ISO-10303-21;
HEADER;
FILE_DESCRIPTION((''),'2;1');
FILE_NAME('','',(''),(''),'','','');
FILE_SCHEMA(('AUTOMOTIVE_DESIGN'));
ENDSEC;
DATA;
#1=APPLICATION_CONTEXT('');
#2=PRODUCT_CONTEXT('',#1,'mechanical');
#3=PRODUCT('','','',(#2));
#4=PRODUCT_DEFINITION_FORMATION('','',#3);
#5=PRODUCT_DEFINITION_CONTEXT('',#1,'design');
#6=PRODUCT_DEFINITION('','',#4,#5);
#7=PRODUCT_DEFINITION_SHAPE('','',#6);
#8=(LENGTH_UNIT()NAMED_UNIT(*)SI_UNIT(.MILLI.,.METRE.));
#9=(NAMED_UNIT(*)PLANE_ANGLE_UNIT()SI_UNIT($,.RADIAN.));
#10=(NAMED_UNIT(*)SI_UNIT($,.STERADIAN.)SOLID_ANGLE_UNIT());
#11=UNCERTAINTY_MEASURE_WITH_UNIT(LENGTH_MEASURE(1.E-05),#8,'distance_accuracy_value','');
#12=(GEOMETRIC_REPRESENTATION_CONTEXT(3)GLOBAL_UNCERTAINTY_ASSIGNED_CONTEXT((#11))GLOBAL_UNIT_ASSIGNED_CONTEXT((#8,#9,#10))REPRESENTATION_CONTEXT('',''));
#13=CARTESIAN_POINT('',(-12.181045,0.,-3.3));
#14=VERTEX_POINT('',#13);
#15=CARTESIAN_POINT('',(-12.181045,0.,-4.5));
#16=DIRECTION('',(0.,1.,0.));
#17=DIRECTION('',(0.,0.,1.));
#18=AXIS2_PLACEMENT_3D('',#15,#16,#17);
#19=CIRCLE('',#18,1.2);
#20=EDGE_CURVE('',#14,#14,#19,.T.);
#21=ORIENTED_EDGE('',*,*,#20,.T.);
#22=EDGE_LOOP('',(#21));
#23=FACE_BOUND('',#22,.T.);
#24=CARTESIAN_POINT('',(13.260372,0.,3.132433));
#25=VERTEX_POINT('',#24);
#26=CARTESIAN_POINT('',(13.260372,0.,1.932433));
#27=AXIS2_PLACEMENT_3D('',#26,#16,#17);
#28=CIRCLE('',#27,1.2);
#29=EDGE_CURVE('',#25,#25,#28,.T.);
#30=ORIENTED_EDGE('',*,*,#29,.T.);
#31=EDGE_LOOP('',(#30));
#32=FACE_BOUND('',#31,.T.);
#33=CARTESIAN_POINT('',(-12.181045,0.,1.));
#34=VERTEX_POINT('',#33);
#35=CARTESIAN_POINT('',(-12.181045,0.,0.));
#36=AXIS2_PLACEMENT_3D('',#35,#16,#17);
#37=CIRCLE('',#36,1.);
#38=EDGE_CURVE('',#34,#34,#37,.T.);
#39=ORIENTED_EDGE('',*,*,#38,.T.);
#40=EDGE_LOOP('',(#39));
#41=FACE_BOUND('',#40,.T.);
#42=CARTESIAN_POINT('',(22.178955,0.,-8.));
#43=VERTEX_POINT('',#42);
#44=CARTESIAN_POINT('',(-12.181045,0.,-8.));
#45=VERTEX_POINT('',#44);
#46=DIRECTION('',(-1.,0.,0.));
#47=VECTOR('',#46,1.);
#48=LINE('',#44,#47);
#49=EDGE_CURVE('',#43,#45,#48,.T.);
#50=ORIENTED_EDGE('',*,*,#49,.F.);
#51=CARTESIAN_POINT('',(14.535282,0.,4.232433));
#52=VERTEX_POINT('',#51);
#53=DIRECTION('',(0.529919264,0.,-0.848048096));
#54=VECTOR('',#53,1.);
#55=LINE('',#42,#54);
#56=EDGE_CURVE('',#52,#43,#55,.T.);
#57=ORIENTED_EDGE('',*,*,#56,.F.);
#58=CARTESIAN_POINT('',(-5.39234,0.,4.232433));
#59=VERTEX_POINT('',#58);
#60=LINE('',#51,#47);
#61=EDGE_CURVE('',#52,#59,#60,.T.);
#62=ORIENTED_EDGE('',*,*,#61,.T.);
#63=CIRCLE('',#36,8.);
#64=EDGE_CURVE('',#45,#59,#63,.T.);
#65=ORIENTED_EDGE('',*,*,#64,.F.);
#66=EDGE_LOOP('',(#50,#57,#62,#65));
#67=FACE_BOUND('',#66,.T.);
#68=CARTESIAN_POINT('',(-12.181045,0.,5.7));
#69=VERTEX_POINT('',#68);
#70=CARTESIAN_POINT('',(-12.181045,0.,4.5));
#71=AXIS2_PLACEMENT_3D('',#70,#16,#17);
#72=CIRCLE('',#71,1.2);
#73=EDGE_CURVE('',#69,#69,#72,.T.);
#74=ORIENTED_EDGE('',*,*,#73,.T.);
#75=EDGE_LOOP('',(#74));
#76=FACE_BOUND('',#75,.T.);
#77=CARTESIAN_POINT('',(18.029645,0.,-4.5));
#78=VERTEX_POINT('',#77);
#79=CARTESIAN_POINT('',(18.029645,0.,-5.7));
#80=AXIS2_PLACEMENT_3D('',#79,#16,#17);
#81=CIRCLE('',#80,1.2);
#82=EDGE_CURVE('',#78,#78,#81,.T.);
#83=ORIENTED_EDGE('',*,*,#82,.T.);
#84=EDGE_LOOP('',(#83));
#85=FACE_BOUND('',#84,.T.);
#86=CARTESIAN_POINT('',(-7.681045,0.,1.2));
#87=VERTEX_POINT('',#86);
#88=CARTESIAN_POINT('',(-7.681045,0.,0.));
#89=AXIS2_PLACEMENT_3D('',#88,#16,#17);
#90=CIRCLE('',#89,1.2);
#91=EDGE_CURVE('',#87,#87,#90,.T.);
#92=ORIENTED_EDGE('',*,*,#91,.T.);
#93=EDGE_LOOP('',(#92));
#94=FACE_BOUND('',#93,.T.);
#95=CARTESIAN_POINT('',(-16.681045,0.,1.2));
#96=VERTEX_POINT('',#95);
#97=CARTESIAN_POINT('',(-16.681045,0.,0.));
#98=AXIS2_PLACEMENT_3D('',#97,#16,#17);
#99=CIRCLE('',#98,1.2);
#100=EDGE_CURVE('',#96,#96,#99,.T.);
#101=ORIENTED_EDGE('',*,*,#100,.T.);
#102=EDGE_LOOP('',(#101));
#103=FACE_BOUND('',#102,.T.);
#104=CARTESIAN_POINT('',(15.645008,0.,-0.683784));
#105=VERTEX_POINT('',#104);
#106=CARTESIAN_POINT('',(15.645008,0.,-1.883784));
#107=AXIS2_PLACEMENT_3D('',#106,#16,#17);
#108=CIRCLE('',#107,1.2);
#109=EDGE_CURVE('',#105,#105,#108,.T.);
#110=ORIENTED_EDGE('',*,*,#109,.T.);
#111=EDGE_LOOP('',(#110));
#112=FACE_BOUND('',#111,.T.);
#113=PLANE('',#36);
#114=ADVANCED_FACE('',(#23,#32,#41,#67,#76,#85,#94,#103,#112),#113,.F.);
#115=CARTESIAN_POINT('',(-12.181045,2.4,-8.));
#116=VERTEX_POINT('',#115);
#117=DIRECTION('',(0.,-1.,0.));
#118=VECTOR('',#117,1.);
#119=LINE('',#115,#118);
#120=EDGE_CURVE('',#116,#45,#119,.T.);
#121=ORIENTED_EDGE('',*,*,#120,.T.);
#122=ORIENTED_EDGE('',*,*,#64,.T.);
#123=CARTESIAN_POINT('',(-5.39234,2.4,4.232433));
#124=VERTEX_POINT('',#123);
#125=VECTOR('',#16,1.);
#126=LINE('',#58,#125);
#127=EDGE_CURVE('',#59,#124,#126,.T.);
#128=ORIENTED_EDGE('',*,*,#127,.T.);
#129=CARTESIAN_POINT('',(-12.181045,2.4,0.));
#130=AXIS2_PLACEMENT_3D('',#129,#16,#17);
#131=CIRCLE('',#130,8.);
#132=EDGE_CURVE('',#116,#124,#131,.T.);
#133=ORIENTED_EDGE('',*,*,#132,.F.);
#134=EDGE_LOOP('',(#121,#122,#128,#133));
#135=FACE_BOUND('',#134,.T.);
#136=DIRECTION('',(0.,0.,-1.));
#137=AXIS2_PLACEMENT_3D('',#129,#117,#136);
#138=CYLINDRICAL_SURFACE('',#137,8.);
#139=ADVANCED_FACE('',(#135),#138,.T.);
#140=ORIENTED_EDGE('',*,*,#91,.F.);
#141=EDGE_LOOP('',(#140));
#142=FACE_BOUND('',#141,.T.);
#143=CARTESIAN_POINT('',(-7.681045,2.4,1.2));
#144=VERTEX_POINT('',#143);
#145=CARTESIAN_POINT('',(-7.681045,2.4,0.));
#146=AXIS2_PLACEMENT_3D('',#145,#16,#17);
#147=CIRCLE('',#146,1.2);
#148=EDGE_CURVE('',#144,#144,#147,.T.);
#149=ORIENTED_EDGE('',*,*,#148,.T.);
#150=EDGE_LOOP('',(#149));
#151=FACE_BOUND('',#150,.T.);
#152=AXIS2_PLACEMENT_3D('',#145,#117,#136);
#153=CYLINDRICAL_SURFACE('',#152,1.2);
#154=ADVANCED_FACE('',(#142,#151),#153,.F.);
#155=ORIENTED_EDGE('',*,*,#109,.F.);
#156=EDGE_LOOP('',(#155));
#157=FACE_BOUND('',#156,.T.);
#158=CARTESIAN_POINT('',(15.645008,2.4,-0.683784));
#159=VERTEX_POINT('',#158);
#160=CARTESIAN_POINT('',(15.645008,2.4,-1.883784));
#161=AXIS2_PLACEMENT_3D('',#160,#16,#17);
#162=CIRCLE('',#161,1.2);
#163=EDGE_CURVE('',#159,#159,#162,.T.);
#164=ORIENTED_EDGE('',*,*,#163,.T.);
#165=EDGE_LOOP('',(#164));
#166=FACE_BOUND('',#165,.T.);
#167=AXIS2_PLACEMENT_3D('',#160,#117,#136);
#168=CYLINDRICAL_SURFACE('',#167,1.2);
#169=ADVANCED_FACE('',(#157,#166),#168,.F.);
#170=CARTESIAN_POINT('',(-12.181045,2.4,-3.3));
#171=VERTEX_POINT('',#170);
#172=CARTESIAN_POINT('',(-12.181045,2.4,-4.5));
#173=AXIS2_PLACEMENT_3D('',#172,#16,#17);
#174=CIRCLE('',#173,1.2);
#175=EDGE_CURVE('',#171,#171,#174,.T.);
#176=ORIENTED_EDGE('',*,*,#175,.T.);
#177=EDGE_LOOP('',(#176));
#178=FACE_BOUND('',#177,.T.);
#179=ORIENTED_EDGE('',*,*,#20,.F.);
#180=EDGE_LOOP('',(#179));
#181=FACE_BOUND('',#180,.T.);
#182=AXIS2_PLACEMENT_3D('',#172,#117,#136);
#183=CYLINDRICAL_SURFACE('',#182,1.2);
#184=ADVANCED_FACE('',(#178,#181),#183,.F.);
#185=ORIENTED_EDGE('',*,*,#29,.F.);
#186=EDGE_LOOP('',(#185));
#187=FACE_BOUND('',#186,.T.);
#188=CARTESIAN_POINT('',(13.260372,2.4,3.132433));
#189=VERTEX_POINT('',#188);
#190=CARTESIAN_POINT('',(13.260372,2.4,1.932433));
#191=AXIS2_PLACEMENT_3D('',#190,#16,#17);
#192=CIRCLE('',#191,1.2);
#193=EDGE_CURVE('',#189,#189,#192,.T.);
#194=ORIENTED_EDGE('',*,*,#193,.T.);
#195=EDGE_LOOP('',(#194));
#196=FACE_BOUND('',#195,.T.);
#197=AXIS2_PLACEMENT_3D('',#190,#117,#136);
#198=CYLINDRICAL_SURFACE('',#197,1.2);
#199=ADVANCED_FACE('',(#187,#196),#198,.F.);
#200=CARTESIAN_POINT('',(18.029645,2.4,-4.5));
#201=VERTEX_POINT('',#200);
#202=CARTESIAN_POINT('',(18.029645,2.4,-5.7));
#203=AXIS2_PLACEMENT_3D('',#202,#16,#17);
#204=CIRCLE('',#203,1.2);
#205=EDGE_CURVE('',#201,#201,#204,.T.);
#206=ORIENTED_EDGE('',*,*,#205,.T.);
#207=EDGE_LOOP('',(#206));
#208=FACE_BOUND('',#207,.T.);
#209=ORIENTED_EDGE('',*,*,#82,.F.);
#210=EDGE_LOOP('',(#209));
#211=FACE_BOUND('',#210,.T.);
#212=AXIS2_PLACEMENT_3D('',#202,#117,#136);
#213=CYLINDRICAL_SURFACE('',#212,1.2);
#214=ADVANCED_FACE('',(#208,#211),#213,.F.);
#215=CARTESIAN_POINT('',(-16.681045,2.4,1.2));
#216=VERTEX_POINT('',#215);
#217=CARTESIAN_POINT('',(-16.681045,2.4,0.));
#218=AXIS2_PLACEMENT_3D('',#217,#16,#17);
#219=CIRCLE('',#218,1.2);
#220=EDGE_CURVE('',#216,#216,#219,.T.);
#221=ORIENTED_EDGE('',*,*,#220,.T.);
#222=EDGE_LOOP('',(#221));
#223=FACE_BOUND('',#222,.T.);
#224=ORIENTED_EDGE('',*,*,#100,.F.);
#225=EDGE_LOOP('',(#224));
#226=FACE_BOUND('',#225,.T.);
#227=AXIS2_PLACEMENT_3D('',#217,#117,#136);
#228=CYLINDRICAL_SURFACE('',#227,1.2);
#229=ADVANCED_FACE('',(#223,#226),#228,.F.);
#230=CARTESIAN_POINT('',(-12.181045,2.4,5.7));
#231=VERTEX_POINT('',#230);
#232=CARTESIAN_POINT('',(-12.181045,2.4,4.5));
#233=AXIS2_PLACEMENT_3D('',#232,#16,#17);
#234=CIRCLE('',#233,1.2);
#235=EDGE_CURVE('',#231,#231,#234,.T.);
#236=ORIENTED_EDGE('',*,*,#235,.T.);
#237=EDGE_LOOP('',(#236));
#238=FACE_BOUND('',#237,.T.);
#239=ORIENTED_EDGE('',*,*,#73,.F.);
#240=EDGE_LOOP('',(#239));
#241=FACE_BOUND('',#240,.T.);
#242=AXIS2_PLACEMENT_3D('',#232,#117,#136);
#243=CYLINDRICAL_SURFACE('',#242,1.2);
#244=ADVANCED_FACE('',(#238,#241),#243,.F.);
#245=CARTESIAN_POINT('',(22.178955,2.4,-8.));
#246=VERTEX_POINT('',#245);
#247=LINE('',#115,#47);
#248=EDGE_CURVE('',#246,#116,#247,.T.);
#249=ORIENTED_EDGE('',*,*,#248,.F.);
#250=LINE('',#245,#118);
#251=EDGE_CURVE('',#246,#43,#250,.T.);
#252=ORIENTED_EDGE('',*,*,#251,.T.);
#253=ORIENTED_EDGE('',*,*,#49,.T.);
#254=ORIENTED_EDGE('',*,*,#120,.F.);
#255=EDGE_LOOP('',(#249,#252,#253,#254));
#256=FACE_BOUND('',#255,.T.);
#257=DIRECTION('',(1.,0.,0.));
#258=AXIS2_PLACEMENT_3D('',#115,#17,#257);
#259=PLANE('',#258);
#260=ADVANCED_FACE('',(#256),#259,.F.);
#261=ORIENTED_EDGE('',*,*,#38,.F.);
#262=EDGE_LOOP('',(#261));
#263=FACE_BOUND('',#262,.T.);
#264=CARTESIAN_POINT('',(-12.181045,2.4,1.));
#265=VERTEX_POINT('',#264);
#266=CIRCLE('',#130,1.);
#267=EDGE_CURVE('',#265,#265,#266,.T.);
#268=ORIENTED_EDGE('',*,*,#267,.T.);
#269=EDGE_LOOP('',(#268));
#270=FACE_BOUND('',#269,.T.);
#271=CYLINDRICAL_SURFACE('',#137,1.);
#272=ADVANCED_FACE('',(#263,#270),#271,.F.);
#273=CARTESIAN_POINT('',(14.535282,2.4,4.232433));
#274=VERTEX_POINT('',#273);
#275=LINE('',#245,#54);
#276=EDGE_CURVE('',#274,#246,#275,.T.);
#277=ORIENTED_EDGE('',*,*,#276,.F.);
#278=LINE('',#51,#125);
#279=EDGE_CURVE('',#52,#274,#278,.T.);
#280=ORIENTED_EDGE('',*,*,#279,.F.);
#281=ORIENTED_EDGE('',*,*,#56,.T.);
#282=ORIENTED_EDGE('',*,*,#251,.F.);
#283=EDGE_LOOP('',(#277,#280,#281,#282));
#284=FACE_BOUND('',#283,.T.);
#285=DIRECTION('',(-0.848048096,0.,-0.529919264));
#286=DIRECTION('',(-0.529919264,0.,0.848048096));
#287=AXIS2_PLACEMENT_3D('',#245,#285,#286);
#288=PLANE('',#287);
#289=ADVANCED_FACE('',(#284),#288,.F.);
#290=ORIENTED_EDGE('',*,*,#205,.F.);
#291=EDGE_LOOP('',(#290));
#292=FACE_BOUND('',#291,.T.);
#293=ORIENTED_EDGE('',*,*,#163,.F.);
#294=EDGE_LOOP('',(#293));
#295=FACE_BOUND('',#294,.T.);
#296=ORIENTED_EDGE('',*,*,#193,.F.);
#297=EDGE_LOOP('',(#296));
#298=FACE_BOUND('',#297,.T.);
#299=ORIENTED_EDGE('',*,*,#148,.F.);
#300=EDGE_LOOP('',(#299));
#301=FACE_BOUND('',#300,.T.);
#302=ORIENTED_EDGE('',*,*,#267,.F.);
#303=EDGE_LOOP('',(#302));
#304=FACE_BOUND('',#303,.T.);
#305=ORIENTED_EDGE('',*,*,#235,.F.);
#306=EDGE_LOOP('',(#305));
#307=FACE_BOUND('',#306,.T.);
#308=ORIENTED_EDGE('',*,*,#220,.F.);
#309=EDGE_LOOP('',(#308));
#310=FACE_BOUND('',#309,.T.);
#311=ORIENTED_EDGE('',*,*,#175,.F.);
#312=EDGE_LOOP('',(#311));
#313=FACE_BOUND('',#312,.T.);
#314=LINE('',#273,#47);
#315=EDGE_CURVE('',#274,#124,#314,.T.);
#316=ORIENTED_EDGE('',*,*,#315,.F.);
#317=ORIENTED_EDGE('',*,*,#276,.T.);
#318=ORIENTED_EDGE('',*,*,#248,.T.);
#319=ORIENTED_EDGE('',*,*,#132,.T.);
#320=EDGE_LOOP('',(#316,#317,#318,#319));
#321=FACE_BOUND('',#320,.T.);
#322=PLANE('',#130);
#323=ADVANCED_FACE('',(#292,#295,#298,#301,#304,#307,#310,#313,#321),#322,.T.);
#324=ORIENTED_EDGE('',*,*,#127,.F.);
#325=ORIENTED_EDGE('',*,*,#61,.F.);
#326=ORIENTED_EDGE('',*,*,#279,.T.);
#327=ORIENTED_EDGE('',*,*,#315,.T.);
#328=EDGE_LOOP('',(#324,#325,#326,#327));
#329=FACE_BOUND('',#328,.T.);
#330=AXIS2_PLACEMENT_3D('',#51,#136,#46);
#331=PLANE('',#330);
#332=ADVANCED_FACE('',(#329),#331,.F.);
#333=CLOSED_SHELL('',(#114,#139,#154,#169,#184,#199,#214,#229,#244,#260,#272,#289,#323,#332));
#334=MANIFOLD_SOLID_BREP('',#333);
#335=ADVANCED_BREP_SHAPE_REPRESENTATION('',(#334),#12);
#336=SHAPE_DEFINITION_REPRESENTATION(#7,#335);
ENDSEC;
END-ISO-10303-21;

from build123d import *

# Parameters (mm, degrees)
SKETCH1_R           = 1.2
SKETCH1_R_2         = 1
BOSS_EXTRUDE1_DEPTH = 2.4
CUT_EXTRUDE1_DEPTH  = 24.69949444


with BuildPart() as part:
    # Sketch1 → Boss-Extrude1 (new body)
    with BuildSketch(Plane(origin=(0, 0, 0), x_dir=(1, 0, 0), z_dir=(0, 1, 0))):
        with BuildLine():
            Line((-12.181045185, 8), (22.178954815, 8))
            Line((22.178954815, 8), (12.181045185, -8))
            Line((12.181045185, -8), (-12.181045185, -8))
            ThreePointArc((-12.181045185, -8), (-20.181045185, 0), (-12.181045185, 8))
        make_face()
        with Locations(Location((-12.181045185, 4.5, 0), (0, 0, 270))):
            Circle(SKETCH1_R, mode=Mode.SUBTRACT)
        with Locations(Location((-7.681045185, 0, 0), (0, 0, 270))):
            Circle(SKETCH1_R, mode=Mode.SUBTRACT)
        with Locations(Location((-12.181045185, -4.5, 0), (0, 0, 270))):
            Circle(SKETCH1_R, mode=Mode.SUBTRACT)
        with Locations(Location((-16.681045185, 0, 0), (0, 0, 270))):
            Circle(SKETCH1_R, mode=Mode.SUBTRACT)
        with Locations(Location((18.029644978, 5.7, 0), (0, 0, 270))):
            Circle(SKETCH1_R, mode=Mode.SUBTRACT)
        with Locations(Location((13.2603716, -1.932432865, 0), (0, 0, 270))):
            Circle(SKETCH1_R, mode=Mode.SUBTRACT)
        with Locations(Location((15.645008289, 1.883783567, 0), (0, 0, 270))):
            Circle(SKETCH1_R, mode=Mode.SUBTRACT)
        with Locations(Location((-12.181045185, 0, 0), (0, 0, 270))):
            Circle(SKETCH1_R_2, mode=Mode.SUBTRACT)
    extrude(amount=BOSS_EXTRUDE1_DEPTH)

    # Sketch2 → Cut-Extrude1 (cut, through all)
    with BuildSketch(Plane(origin=(0, 2.4, 0), x_dir=(1, 0, 0), z_dir=(0, 1, 0))):
        with BuildLine():
            Line((14.535282418, -4.232432865), (-5.392340445, -4.232432865))
            ThreePointArc((-5.392340445, -4.232432865), (-8.299000809, -6.994979018), (-12.181045185, -8))
            Line((-12.181045185, -8), (12.181045185, -8))
            Line((12.181045185, -8), (14.535282418, -4.232432865))
        make_face()
    extrude(amount=-CUT_EXTRUDE1_DEPTH, mode=Mode.SUBTRACT)


solid = part.part
